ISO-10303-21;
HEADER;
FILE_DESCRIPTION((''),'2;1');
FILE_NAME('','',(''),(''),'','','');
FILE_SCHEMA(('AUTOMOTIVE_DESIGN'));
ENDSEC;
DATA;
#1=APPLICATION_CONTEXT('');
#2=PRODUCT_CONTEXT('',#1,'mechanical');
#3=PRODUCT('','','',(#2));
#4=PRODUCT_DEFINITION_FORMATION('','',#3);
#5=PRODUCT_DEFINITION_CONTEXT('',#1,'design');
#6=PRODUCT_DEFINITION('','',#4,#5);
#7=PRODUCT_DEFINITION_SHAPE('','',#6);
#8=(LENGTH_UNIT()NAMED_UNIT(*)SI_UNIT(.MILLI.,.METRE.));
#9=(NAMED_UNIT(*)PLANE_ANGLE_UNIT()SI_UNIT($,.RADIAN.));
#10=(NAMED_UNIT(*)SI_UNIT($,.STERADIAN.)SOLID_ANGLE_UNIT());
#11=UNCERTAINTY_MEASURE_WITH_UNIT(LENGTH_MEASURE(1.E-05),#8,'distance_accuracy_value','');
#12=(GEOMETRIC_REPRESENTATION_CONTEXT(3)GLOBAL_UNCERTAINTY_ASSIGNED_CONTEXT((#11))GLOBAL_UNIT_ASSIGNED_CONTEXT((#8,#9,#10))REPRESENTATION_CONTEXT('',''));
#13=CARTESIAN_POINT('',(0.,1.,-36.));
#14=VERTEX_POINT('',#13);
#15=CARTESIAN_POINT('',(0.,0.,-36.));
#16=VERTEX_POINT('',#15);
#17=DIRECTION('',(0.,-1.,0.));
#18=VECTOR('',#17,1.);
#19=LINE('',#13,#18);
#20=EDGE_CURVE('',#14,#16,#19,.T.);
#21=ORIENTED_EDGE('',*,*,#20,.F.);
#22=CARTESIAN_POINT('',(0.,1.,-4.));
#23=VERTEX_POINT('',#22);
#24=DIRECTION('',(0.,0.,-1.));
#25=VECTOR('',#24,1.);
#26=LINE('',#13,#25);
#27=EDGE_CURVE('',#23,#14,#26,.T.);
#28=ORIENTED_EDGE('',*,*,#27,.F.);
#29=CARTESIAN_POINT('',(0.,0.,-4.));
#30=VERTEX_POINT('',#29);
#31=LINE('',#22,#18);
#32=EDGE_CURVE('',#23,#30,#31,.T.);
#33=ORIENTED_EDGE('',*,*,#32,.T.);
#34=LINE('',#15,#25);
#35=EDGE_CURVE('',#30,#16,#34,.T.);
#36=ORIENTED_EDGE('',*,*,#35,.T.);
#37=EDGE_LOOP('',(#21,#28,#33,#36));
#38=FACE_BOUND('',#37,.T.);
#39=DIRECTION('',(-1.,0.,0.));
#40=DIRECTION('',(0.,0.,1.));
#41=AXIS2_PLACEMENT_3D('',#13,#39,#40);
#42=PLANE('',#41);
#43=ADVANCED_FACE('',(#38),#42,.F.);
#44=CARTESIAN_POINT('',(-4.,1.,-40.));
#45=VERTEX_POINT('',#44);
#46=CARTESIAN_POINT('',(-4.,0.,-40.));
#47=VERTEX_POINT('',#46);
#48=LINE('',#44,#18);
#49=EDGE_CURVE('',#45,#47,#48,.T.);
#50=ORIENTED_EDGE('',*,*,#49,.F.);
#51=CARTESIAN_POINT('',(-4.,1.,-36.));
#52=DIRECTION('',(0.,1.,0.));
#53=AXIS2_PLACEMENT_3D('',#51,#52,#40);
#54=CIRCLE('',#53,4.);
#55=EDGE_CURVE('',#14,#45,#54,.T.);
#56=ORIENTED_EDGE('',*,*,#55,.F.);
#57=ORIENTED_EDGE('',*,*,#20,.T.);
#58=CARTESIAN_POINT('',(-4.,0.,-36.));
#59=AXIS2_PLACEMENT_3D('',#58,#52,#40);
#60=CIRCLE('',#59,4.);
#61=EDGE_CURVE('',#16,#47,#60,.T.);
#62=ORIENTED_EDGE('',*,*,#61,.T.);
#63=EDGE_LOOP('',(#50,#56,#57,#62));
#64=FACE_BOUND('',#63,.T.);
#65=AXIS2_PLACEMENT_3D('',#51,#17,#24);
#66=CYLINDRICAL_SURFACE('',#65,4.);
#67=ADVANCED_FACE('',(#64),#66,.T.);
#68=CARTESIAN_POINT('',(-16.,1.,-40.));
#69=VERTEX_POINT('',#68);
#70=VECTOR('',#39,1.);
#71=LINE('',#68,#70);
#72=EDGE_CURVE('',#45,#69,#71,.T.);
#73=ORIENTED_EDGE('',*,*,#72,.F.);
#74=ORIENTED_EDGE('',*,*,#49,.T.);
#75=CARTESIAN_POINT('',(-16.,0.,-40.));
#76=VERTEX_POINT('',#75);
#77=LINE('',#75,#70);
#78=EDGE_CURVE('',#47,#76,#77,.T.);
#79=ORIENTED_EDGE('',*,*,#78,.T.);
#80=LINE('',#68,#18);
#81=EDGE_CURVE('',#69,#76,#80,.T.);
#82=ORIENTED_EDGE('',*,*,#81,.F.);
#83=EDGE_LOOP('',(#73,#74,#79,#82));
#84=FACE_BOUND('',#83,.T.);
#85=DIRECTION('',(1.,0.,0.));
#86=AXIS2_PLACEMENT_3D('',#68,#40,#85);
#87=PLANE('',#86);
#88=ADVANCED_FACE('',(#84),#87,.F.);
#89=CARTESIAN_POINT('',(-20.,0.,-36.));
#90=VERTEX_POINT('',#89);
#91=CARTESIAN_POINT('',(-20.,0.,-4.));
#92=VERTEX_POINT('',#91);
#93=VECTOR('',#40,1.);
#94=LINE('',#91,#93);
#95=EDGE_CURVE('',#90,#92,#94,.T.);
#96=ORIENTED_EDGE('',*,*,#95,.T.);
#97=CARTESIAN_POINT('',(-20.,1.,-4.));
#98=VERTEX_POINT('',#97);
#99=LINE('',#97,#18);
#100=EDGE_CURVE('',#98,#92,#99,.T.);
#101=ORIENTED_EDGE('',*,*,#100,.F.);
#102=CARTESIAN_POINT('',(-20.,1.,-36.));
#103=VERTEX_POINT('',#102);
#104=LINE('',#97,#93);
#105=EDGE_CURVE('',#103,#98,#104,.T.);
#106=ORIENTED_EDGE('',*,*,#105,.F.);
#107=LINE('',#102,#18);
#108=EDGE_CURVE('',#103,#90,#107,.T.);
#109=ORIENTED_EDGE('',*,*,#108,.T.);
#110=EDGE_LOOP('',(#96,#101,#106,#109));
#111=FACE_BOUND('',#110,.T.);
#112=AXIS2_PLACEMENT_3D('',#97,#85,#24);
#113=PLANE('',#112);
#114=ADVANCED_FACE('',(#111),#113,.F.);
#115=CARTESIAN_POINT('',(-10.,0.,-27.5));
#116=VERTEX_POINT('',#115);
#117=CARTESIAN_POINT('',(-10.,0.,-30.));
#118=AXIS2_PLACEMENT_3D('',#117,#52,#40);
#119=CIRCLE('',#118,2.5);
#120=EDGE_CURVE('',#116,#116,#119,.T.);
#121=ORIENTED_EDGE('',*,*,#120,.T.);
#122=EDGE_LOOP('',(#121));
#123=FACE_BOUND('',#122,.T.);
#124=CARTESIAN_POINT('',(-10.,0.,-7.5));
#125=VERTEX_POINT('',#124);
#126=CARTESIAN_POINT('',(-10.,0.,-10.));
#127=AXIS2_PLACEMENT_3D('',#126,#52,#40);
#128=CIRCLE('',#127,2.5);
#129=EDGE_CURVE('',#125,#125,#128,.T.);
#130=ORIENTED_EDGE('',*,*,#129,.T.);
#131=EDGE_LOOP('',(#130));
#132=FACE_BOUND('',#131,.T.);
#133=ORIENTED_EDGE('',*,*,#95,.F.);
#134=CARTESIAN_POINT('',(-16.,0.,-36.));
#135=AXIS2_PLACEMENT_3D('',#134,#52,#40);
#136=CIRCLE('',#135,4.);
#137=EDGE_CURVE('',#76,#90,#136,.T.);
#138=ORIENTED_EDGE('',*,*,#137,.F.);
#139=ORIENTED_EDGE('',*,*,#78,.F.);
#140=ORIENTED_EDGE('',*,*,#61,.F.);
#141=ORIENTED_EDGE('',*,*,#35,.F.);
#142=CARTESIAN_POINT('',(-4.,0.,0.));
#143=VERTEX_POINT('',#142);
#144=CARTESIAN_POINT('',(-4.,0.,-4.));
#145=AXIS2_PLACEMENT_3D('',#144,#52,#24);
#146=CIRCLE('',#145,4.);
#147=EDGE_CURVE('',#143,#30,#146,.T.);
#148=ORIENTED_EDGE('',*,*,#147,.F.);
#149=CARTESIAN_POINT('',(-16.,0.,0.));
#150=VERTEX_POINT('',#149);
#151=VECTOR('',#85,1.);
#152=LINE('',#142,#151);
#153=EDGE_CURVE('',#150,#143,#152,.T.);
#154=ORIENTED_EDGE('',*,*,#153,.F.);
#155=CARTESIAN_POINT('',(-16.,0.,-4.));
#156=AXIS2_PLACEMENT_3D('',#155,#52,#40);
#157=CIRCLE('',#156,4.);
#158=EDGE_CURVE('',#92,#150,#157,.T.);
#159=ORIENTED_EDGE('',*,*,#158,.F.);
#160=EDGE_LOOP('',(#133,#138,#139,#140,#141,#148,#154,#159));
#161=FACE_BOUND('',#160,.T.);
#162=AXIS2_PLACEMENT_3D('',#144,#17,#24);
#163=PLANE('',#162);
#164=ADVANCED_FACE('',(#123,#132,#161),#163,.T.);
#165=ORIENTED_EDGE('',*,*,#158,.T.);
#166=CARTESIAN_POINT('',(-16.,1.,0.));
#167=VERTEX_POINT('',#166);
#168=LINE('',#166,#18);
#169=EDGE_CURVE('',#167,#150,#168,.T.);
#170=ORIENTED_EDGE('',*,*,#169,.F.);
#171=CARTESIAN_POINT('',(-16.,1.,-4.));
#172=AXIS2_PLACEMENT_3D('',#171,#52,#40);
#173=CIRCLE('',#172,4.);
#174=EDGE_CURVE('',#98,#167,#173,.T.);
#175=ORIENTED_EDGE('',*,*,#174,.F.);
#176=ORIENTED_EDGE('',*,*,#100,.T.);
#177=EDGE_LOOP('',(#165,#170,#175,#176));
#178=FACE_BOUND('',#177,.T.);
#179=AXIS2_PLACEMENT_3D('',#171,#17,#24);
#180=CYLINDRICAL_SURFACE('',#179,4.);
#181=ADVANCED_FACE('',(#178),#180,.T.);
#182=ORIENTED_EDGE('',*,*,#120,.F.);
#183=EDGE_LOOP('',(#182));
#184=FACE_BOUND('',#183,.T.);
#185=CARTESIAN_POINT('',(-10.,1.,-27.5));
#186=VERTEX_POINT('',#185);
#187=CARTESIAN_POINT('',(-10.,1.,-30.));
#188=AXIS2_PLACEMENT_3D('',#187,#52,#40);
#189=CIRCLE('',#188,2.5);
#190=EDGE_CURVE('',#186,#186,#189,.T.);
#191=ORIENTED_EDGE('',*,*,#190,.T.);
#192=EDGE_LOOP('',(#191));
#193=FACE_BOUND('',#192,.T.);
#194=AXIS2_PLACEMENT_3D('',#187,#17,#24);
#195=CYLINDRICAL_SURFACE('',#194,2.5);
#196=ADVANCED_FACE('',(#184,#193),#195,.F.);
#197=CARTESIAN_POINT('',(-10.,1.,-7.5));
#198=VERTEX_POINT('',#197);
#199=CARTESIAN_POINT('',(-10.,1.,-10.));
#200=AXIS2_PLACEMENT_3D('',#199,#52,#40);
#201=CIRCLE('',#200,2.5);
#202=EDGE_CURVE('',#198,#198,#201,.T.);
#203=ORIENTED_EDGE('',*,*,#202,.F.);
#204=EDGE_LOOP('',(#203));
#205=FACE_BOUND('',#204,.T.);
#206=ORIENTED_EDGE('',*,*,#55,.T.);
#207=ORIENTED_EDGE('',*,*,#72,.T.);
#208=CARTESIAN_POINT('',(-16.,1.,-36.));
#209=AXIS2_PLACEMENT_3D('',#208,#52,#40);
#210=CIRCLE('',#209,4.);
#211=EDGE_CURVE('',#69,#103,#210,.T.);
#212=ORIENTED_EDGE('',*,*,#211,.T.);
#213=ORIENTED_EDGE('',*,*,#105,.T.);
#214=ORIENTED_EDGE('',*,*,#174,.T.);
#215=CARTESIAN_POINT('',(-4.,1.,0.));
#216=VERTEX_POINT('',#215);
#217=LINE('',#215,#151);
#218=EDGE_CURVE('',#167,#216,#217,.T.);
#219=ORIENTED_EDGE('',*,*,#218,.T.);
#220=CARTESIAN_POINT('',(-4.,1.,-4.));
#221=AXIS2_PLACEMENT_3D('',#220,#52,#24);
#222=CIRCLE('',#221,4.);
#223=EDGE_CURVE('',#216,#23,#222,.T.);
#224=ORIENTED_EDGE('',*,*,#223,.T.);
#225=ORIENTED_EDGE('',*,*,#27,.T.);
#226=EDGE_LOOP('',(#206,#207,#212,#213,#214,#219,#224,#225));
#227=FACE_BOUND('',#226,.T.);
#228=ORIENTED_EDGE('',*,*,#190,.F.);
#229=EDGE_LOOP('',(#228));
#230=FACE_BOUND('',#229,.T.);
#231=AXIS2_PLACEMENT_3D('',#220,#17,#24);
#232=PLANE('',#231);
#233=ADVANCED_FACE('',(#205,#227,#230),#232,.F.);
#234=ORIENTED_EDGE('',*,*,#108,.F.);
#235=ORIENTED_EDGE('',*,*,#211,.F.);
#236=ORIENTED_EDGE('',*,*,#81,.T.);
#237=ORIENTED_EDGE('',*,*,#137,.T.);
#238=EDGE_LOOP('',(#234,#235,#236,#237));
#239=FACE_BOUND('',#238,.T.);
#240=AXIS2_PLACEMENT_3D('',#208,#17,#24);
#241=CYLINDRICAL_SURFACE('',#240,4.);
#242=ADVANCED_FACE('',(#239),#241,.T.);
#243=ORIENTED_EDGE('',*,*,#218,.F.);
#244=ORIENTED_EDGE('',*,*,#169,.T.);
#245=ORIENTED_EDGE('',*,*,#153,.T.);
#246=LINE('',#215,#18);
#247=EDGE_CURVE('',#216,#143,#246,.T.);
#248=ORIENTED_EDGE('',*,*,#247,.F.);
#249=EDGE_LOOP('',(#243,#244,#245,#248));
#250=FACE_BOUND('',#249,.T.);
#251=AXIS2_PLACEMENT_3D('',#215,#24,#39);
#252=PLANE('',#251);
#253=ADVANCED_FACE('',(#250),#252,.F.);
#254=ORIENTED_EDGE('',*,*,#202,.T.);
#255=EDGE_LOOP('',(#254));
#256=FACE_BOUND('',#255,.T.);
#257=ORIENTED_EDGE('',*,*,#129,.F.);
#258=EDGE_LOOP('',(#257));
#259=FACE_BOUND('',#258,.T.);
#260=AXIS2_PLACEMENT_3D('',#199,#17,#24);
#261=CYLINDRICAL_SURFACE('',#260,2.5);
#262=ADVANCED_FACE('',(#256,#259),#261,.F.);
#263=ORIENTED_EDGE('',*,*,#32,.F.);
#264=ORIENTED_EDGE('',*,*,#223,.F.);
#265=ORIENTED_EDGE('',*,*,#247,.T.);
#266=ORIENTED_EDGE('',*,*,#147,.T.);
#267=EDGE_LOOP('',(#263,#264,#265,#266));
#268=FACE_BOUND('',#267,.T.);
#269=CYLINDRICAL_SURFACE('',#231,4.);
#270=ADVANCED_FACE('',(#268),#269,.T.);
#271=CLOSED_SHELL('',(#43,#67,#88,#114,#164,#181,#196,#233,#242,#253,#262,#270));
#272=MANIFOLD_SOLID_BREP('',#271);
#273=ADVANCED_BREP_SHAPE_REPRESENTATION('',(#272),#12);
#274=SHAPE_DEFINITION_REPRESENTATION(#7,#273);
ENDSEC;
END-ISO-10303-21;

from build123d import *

# Parameters (mm, degrees)
SKETCH_1_R      = 2.5
EXTRUDE_2_DEPTH = 1


with BuildPart() as part:
    # 草图1 → 凸台-拉伸2 (new body)
    with BuildSketch(Plane(origin=(0, 0, 0), x_dir=(1, 0, 0), z_dir=(0, 1, 0))):
        with BuildLine():
            Line((-4, 0), (-16, 0))
            ThreePointArc((-16, 0), (-18.828427125, 1.171572875), (-20, 4))
            Line((-20, 4), (-20, 36))
            ThreePointArc((-20, 36), (-18.828427125, 38.828427125), (-16, 40))
            Line((-16, 40), (-4, 40))
            ThreePointArc((-4, 40), (-1.171572875, 38.828427125), (0, 36))
            Line((0, 36), (0, 4))
            ThreePointArc((0, 4), (-1.171572875, 1.171572875), (-4, 0))
        make_face()
        with Locations(Location((-10, 10, 0), (0, 0, 270))):
            Circle(SKETCH_1_R, mode=Mode.SUBTRACT)
        with Locations(Location((-10, 30, 0), (0, 0, 270))):
            Circle(SKETCH_1_R, mode=Mode.SUBTRACT)
    extrude(amount=EXTRUDE_2_DEPTH)


solid = part.part
